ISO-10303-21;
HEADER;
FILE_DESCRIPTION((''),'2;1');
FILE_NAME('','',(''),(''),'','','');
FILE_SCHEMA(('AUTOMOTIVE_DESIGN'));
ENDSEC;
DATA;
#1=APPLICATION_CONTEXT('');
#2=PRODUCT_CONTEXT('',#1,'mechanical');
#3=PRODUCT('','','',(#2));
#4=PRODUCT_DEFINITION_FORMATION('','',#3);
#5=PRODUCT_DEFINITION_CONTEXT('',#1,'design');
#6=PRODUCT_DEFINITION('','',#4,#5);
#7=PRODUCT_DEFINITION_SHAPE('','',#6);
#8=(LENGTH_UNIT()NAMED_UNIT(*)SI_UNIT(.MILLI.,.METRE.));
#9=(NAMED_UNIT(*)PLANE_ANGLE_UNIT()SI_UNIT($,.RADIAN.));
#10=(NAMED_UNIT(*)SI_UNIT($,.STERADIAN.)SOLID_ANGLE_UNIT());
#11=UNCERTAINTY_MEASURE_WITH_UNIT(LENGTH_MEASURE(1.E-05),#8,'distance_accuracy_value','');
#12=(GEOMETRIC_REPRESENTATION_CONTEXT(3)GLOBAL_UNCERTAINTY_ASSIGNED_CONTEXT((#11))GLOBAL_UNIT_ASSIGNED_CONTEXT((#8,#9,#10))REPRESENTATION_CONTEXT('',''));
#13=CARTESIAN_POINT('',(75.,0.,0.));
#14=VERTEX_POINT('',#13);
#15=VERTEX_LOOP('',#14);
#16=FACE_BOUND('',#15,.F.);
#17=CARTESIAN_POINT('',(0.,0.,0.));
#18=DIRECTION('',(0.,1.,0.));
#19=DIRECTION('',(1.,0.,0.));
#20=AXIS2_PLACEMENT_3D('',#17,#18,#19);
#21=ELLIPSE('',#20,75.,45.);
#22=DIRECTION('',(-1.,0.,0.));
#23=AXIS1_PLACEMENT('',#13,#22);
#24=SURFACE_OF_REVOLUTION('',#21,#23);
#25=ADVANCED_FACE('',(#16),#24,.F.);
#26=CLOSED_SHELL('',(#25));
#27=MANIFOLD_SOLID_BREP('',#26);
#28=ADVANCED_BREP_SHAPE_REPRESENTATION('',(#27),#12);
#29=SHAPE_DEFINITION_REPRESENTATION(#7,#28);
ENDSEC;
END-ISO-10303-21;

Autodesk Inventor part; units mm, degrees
ref_plane "YZ Plane" through (0, 0, 0) normal (1, 0, 0) x (0, 1, 0)
ref_plane "XZ Plane" through (0, 0, 0) normal (0, 1, 0) x (-1, 0, 0)
ref_plane "XY Plane" through (0, 0, 0) normal (0, 0, 1) x (1, 0, 0)
sketch "Skizze1" plane through (0, 0, 0) normal (0, 1, 0) x (-1, 0, 0)
  ellipse E0 centre (0, 0) end of major axis (-75, 0) minor radius 45 (75, 0) -> (-75, 0) ccw
  line L0 (-75, 0) -> (75, 0)
  dimension "d10" = 90
revolve "Umdrehung2" add sketch "Skizze1" angle 360 about axis through (75, 0, 0) along (-1, 0, 0)
properties part number "Ellipsoid"
